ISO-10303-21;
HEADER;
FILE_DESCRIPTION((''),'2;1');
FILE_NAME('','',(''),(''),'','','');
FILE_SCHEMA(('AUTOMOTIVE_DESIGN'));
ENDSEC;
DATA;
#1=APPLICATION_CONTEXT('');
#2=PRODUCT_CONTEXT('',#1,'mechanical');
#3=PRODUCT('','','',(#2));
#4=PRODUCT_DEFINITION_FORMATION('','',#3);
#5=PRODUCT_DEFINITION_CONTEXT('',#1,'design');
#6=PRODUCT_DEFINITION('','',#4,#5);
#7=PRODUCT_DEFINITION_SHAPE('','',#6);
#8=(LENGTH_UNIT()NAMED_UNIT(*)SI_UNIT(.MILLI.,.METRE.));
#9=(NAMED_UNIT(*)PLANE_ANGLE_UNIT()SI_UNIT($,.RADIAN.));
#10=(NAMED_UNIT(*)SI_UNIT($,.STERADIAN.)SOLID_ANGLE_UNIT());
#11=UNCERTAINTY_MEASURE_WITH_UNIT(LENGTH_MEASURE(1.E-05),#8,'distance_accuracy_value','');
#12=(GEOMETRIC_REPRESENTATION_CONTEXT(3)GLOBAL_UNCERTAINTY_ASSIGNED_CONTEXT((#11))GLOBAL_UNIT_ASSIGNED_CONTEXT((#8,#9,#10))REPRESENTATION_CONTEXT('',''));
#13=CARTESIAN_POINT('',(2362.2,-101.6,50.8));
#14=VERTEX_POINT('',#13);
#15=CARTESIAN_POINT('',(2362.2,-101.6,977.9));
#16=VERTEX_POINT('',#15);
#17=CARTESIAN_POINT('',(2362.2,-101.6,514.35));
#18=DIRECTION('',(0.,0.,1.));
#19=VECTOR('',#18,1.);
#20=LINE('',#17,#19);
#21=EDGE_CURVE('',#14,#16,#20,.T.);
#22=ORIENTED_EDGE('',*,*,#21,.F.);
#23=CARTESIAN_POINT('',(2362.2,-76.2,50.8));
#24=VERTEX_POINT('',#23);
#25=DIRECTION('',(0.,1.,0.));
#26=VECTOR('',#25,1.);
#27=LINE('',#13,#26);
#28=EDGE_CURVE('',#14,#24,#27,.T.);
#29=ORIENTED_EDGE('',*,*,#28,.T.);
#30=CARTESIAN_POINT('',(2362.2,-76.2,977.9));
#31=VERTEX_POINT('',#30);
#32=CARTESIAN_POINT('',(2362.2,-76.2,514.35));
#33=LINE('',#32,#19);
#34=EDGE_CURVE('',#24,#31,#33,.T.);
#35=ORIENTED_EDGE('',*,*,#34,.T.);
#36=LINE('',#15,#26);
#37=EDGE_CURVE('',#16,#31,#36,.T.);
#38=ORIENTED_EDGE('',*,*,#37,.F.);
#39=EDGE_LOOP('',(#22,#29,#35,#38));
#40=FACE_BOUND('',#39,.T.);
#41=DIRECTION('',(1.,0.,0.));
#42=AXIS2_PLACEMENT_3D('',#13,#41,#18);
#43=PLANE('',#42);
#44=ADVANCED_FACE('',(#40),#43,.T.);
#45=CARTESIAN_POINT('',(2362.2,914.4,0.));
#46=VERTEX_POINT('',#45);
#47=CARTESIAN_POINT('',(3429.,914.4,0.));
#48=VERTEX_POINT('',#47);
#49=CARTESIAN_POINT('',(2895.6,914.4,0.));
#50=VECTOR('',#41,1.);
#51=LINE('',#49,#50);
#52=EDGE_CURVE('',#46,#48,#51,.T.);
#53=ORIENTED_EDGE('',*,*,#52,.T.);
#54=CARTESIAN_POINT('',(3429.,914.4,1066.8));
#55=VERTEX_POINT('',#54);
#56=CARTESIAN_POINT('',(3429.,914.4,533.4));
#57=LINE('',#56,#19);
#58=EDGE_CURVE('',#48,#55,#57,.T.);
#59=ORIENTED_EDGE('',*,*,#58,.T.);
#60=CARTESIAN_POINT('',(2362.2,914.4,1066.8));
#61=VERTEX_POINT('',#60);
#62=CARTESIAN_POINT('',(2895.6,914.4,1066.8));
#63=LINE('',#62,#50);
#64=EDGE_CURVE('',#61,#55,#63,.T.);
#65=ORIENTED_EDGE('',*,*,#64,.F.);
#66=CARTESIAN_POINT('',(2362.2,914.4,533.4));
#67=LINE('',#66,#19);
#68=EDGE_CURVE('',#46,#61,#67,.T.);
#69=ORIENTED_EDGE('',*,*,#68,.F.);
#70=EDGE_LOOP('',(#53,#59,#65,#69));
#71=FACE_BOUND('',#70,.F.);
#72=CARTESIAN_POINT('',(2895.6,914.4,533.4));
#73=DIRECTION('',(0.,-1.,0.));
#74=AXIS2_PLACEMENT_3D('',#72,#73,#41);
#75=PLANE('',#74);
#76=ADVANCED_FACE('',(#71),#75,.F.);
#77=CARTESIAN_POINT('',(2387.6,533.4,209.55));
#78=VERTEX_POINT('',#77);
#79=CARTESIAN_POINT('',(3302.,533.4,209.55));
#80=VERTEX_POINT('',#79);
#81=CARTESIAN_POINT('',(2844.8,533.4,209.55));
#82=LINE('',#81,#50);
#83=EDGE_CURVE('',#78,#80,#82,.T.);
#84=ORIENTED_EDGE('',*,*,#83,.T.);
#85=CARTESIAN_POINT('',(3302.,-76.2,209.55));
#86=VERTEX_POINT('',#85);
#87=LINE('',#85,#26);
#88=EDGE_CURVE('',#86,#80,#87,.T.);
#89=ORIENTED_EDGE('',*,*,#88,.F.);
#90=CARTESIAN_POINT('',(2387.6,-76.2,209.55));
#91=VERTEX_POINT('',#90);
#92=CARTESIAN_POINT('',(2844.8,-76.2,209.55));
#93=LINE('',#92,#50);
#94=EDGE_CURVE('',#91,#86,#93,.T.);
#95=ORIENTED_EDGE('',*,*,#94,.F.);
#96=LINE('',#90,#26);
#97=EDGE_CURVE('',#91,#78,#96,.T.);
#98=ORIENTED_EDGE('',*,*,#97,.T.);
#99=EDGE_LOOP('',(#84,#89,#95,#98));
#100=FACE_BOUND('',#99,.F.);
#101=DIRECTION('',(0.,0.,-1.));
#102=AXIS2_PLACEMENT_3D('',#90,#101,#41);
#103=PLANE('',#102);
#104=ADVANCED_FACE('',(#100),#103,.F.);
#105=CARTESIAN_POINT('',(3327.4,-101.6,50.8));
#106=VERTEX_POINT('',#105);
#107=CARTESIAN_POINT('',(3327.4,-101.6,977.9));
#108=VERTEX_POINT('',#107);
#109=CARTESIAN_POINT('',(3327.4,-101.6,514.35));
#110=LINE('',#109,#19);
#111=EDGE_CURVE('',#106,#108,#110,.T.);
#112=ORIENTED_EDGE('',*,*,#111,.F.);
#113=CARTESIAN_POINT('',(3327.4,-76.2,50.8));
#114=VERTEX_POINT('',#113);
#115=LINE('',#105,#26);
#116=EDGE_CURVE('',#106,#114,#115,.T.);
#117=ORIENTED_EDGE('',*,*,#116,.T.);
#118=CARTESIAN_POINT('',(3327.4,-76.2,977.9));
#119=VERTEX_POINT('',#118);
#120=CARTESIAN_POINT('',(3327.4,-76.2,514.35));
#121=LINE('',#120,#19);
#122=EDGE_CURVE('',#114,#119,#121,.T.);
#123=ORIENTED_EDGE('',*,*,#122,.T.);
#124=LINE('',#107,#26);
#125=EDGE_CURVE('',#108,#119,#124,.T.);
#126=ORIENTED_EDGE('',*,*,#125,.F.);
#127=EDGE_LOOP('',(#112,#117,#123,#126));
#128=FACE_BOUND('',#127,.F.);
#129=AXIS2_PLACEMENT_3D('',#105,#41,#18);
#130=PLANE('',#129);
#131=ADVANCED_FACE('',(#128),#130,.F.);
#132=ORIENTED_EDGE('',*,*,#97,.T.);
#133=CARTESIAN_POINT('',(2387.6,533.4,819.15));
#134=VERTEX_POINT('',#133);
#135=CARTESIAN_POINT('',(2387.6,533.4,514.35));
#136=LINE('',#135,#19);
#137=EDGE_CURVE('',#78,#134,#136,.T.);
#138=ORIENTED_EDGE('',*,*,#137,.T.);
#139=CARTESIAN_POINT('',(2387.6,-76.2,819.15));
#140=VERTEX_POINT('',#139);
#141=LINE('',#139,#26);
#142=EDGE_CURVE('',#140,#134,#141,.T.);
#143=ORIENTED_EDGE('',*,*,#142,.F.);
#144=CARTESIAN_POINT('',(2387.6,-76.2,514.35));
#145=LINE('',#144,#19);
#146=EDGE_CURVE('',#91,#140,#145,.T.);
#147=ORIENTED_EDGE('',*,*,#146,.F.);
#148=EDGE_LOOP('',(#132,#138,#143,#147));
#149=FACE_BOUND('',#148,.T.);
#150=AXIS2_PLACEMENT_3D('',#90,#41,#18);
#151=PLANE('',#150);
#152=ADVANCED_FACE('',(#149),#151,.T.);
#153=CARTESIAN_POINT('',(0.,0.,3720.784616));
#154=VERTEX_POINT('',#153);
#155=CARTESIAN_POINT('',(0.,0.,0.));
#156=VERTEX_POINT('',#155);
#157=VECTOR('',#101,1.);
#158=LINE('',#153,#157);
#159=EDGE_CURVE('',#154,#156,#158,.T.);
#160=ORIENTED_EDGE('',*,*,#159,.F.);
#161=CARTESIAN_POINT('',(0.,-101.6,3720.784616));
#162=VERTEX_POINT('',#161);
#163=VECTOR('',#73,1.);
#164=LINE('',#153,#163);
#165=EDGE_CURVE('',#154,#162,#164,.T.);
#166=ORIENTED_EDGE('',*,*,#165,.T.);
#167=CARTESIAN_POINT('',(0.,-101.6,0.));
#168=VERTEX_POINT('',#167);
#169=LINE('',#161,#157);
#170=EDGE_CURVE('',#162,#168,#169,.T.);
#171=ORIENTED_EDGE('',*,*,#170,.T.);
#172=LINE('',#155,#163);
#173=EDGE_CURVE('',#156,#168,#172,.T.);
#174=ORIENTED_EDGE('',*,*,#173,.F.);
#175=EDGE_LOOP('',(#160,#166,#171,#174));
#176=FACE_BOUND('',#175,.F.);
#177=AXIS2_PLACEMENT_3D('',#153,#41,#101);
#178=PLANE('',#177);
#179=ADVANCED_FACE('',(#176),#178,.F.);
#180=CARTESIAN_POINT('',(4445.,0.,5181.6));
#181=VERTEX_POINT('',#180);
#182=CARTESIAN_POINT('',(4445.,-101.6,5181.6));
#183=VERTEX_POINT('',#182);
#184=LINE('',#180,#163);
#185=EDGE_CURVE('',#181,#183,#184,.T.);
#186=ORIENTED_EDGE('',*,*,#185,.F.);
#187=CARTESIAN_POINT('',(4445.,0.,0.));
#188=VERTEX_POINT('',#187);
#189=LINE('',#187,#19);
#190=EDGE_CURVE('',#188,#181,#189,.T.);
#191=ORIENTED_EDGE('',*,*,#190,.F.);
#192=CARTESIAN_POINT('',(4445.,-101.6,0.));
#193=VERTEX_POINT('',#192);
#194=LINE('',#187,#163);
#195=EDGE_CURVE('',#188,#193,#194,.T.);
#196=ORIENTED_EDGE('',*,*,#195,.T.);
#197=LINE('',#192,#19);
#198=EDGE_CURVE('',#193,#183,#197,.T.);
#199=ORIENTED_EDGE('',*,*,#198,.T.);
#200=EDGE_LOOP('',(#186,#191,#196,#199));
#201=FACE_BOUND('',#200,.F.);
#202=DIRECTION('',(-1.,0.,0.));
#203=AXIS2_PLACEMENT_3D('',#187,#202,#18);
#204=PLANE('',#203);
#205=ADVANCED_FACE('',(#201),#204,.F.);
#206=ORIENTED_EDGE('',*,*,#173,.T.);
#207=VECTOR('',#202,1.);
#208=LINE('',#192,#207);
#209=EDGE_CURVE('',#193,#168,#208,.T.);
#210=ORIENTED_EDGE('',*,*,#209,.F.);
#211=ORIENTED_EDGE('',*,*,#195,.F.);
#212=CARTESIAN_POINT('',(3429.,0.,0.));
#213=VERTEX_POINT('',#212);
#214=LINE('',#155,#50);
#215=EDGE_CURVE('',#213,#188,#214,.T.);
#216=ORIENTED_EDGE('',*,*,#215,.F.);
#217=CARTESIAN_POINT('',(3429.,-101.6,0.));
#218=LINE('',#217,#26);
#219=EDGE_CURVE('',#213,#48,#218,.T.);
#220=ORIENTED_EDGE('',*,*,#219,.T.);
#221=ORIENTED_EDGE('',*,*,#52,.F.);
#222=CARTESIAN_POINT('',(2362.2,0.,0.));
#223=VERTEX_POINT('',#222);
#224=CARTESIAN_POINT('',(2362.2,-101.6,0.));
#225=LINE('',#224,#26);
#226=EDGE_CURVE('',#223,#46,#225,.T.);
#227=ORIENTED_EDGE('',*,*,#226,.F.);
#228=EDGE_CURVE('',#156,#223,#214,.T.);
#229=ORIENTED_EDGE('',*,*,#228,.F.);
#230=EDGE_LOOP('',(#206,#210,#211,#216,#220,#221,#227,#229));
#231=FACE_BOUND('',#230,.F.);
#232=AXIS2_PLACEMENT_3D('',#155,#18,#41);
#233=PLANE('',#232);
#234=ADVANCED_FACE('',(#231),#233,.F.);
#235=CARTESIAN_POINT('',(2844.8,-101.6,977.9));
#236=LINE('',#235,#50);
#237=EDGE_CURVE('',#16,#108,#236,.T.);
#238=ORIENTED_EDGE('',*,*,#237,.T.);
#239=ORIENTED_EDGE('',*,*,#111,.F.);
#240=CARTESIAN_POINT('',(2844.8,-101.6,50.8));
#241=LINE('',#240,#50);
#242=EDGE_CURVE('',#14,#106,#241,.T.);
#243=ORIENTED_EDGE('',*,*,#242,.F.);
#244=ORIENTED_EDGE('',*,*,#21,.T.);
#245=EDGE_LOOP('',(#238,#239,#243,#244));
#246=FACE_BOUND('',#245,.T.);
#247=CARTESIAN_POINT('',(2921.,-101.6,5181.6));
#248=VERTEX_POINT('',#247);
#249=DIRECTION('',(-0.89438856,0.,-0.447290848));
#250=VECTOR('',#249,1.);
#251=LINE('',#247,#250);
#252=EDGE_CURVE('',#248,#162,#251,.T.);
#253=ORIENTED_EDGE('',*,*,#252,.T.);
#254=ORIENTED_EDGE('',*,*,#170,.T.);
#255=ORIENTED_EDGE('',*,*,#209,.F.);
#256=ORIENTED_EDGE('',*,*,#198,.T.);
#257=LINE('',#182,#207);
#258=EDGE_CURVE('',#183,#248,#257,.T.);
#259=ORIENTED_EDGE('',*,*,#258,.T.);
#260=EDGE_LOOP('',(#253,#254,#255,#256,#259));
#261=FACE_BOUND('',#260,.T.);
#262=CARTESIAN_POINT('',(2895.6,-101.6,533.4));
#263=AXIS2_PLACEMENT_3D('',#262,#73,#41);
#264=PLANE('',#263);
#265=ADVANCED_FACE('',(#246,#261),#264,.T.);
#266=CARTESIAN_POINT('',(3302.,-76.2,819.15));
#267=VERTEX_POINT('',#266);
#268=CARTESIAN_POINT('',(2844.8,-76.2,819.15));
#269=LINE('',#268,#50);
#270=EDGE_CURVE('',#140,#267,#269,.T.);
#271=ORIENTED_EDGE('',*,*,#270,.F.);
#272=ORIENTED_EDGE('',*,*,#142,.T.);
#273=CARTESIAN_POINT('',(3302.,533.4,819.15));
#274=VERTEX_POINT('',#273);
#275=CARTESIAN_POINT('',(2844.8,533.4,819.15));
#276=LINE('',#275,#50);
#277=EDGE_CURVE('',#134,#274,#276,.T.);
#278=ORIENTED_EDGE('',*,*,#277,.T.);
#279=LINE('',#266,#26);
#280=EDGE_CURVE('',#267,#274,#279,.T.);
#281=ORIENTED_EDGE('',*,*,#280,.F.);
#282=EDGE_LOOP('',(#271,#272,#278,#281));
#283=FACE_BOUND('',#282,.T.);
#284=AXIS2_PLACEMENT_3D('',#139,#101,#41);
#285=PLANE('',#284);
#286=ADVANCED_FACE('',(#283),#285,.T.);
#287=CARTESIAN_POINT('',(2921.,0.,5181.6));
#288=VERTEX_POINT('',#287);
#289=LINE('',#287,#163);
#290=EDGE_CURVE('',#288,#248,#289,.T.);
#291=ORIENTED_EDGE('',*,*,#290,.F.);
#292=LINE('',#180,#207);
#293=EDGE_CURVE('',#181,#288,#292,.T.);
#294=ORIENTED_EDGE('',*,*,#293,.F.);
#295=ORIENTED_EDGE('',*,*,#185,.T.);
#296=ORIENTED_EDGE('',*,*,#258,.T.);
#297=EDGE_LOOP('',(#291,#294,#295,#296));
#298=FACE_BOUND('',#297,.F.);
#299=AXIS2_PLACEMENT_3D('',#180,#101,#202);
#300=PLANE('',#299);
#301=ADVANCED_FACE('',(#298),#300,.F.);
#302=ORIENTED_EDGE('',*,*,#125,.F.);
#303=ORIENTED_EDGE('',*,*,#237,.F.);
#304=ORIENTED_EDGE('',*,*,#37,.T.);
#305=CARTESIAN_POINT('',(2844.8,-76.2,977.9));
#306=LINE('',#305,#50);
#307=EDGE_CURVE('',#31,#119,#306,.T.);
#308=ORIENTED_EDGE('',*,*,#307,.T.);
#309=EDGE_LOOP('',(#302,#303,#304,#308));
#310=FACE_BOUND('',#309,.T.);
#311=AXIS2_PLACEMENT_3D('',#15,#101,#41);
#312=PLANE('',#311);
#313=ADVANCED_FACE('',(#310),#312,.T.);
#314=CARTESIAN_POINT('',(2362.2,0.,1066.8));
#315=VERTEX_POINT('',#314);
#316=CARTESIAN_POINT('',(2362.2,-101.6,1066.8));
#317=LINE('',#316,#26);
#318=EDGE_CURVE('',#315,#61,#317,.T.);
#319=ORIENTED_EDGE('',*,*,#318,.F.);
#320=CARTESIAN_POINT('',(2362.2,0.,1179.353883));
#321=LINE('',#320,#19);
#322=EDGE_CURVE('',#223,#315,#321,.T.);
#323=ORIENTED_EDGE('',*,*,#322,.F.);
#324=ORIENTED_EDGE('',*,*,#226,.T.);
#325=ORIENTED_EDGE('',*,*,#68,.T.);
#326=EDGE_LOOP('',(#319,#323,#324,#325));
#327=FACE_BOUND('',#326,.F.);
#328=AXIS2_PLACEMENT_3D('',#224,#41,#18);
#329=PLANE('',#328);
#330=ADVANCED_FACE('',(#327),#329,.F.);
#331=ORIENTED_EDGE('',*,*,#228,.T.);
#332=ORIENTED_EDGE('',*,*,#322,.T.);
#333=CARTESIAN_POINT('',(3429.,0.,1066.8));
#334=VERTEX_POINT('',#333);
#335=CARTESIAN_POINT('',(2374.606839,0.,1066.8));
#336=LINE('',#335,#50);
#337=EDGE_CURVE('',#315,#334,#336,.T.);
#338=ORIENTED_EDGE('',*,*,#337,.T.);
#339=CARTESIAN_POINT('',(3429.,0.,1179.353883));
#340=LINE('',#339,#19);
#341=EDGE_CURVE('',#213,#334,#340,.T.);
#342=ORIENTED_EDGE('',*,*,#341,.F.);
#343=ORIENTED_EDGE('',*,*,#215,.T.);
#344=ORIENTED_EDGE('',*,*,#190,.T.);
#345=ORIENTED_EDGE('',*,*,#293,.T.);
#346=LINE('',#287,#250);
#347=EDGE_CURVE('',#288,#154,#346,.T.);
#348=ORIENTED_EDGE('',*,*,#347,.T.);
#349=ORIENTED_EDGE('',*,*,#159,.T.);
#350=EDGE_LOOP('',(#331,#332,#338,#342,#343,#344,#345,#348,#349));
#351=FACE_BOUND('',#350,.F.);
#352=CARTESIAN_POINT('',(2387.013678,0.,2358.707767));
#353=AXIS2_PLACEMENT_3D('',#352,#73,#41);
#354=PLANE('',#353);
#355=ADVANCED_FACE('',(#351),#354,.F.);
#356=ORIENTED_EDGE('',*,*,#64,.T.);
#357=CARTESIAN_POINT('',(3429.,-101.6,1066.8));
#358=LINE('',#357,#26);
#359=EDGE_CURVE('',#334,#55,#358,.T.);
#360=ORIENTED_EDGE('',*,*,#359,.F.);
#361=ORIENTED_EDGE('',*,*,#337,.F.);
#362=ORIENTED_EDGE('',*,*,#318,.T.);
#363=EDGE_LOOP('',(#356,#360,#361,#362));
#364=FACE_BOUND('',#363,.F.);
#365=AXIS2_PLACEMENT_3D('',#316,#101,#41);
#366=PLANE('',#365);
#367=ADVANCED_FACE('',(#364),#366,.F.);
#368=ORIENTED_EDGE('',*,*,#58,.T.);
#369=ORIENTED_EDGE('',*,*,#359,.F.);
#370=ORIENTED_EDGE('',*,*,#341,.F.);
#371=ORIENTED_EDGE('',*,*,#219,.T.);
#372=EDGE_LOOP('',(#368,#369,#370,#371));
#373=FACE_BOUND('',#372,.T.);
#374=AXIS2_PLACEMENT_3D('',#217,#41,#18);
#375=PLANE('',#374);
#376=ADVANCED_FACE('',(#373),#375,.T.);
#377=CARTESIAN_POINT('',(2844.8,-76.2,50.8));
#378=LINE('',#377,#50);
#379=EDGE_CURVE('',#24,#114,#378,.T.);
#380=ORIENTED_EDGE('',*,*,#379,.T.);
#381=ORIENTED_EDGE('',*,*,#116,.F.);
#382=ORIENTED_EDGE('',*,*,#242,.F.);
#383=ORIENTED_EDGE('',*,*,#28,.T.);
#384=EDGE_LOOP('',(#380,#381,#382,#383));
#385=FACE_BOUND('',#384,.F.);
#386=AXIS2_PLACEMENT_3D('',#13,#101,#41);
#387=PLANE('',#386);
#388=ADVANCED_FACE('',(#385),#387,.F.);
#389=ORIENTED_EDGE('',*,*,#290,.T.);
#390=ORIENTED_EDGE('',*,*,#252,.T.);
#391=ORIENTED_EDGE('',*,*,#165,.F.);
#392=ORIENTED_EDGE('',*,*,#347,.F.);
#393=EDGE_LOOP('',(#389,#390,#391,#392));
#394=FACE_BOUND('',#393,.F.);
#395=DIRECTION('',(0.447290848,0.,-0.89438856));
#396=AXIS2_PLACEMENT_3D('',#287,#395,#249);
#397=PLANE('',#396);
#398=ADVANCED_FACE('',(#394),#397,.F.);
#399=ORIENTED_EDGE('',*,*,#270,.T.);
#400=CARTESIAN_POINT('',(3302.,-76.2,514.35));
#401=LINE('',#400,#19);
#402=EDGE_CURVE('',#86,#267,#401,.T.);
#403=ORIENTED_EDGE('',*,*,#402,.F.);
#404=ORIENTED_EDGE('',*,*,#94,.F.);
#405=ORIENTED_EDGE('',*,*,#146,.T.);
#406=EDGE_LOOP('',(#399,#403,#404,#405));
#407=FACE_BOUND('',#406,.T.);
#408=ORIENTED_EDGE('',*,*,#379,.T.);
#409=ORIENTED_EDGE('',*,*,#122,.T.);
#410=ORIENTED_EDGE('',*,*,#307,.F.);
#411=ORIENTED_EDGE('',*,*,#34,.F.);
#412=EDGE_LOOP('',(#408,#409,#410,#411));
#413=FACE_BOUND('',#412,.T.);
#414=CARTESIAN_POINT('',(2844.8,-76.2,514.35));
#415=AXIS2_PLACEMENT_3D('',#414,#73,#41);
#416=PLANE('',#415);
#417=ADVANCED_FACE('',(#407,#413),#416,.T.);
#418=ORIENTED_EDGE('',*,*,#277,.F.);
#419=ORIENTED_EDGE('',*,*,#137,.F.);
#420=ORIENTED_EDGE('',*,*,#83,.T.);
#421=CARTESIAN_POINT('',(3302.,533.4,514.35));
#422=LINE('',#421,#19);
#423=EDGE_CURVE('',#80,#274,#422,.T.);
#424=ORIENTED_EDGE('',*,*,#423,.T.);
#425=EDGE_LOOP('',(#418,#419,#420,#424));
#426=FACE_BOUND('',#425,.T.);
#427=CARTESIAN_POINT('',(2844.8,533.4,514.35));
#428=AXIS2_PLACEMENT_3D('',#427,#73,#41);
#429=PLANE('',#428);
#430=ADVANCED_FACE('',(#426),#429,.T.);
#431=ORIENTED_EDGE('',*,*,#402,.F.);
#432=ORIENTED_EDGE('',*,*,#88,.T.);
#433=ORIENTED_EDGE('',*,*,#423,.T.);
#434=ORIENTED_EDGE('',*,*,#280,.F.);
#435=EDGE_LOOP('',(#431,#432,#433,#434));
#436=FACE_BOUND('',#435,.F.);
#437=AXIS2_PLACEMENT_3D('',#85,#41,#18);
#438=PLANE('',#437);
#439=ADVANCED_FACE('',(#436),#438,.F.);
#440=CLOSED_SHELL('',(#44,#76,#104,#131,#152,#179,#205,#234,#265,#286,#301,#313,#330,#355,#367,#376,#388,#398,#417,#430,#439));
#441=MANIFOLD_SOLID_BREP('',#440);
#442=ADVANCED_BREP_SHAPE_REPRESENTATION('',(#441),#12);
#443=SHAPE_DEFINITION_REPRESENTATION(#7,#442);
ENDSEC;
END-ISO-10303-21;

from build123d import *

# Parameters (mm, degrees)
F1_DEPTH = 101.6
F2_W     = 1066.8
F2_H     = 1066.8
F3_DEPTH = 1016
F4_W     = 965.2
F4_H     = 927.1
F5_DEPTH = 25.4
F6_W     = 914.4
F6_H     = 609.6
F7_DEPTH = 609.6


with BuildPart() as f1:
    # F0 (on Front) → F1 (new body)
    with BuildSketch(Plane.XZ):
        Polygon((0, 3720.784616), (0, 0), (4445, 0), (4445, 5181.6), (2921, 5181.6), align=None)
    extrude(amount=F1_DEPTH)

    # F2 (on face) → F3 (join)
    with BuildSketch(Plane.XZ.offset(101.6)):
        with Locations((2895.6, 533.4)):
            Rectangle(F2_W, F2_H)
    extrude(amount=-F3_DEPTH)

    # F4 (on face) → F5 (cut)
    with BuildSketch(Plane.XZ.offset(101.6)):
        with Locations((2844.8, 514.35)):
            Rectangle(F4_W, F4_H)
    extrude(amount=-F5_DEPTH, mode=Mode.SUBTRACT)

    # F6 (on face) → F7 (cut)
    with BuildSketch(Plane.XZ.offset(76.2)):
        with Locations((2844.8, 514.35)):
            Rectangle(F6_W, F6_H)
    extrude(amount=-F7_DEPTH, mode=Mode.SUBTRACT)


solid = f1.part
